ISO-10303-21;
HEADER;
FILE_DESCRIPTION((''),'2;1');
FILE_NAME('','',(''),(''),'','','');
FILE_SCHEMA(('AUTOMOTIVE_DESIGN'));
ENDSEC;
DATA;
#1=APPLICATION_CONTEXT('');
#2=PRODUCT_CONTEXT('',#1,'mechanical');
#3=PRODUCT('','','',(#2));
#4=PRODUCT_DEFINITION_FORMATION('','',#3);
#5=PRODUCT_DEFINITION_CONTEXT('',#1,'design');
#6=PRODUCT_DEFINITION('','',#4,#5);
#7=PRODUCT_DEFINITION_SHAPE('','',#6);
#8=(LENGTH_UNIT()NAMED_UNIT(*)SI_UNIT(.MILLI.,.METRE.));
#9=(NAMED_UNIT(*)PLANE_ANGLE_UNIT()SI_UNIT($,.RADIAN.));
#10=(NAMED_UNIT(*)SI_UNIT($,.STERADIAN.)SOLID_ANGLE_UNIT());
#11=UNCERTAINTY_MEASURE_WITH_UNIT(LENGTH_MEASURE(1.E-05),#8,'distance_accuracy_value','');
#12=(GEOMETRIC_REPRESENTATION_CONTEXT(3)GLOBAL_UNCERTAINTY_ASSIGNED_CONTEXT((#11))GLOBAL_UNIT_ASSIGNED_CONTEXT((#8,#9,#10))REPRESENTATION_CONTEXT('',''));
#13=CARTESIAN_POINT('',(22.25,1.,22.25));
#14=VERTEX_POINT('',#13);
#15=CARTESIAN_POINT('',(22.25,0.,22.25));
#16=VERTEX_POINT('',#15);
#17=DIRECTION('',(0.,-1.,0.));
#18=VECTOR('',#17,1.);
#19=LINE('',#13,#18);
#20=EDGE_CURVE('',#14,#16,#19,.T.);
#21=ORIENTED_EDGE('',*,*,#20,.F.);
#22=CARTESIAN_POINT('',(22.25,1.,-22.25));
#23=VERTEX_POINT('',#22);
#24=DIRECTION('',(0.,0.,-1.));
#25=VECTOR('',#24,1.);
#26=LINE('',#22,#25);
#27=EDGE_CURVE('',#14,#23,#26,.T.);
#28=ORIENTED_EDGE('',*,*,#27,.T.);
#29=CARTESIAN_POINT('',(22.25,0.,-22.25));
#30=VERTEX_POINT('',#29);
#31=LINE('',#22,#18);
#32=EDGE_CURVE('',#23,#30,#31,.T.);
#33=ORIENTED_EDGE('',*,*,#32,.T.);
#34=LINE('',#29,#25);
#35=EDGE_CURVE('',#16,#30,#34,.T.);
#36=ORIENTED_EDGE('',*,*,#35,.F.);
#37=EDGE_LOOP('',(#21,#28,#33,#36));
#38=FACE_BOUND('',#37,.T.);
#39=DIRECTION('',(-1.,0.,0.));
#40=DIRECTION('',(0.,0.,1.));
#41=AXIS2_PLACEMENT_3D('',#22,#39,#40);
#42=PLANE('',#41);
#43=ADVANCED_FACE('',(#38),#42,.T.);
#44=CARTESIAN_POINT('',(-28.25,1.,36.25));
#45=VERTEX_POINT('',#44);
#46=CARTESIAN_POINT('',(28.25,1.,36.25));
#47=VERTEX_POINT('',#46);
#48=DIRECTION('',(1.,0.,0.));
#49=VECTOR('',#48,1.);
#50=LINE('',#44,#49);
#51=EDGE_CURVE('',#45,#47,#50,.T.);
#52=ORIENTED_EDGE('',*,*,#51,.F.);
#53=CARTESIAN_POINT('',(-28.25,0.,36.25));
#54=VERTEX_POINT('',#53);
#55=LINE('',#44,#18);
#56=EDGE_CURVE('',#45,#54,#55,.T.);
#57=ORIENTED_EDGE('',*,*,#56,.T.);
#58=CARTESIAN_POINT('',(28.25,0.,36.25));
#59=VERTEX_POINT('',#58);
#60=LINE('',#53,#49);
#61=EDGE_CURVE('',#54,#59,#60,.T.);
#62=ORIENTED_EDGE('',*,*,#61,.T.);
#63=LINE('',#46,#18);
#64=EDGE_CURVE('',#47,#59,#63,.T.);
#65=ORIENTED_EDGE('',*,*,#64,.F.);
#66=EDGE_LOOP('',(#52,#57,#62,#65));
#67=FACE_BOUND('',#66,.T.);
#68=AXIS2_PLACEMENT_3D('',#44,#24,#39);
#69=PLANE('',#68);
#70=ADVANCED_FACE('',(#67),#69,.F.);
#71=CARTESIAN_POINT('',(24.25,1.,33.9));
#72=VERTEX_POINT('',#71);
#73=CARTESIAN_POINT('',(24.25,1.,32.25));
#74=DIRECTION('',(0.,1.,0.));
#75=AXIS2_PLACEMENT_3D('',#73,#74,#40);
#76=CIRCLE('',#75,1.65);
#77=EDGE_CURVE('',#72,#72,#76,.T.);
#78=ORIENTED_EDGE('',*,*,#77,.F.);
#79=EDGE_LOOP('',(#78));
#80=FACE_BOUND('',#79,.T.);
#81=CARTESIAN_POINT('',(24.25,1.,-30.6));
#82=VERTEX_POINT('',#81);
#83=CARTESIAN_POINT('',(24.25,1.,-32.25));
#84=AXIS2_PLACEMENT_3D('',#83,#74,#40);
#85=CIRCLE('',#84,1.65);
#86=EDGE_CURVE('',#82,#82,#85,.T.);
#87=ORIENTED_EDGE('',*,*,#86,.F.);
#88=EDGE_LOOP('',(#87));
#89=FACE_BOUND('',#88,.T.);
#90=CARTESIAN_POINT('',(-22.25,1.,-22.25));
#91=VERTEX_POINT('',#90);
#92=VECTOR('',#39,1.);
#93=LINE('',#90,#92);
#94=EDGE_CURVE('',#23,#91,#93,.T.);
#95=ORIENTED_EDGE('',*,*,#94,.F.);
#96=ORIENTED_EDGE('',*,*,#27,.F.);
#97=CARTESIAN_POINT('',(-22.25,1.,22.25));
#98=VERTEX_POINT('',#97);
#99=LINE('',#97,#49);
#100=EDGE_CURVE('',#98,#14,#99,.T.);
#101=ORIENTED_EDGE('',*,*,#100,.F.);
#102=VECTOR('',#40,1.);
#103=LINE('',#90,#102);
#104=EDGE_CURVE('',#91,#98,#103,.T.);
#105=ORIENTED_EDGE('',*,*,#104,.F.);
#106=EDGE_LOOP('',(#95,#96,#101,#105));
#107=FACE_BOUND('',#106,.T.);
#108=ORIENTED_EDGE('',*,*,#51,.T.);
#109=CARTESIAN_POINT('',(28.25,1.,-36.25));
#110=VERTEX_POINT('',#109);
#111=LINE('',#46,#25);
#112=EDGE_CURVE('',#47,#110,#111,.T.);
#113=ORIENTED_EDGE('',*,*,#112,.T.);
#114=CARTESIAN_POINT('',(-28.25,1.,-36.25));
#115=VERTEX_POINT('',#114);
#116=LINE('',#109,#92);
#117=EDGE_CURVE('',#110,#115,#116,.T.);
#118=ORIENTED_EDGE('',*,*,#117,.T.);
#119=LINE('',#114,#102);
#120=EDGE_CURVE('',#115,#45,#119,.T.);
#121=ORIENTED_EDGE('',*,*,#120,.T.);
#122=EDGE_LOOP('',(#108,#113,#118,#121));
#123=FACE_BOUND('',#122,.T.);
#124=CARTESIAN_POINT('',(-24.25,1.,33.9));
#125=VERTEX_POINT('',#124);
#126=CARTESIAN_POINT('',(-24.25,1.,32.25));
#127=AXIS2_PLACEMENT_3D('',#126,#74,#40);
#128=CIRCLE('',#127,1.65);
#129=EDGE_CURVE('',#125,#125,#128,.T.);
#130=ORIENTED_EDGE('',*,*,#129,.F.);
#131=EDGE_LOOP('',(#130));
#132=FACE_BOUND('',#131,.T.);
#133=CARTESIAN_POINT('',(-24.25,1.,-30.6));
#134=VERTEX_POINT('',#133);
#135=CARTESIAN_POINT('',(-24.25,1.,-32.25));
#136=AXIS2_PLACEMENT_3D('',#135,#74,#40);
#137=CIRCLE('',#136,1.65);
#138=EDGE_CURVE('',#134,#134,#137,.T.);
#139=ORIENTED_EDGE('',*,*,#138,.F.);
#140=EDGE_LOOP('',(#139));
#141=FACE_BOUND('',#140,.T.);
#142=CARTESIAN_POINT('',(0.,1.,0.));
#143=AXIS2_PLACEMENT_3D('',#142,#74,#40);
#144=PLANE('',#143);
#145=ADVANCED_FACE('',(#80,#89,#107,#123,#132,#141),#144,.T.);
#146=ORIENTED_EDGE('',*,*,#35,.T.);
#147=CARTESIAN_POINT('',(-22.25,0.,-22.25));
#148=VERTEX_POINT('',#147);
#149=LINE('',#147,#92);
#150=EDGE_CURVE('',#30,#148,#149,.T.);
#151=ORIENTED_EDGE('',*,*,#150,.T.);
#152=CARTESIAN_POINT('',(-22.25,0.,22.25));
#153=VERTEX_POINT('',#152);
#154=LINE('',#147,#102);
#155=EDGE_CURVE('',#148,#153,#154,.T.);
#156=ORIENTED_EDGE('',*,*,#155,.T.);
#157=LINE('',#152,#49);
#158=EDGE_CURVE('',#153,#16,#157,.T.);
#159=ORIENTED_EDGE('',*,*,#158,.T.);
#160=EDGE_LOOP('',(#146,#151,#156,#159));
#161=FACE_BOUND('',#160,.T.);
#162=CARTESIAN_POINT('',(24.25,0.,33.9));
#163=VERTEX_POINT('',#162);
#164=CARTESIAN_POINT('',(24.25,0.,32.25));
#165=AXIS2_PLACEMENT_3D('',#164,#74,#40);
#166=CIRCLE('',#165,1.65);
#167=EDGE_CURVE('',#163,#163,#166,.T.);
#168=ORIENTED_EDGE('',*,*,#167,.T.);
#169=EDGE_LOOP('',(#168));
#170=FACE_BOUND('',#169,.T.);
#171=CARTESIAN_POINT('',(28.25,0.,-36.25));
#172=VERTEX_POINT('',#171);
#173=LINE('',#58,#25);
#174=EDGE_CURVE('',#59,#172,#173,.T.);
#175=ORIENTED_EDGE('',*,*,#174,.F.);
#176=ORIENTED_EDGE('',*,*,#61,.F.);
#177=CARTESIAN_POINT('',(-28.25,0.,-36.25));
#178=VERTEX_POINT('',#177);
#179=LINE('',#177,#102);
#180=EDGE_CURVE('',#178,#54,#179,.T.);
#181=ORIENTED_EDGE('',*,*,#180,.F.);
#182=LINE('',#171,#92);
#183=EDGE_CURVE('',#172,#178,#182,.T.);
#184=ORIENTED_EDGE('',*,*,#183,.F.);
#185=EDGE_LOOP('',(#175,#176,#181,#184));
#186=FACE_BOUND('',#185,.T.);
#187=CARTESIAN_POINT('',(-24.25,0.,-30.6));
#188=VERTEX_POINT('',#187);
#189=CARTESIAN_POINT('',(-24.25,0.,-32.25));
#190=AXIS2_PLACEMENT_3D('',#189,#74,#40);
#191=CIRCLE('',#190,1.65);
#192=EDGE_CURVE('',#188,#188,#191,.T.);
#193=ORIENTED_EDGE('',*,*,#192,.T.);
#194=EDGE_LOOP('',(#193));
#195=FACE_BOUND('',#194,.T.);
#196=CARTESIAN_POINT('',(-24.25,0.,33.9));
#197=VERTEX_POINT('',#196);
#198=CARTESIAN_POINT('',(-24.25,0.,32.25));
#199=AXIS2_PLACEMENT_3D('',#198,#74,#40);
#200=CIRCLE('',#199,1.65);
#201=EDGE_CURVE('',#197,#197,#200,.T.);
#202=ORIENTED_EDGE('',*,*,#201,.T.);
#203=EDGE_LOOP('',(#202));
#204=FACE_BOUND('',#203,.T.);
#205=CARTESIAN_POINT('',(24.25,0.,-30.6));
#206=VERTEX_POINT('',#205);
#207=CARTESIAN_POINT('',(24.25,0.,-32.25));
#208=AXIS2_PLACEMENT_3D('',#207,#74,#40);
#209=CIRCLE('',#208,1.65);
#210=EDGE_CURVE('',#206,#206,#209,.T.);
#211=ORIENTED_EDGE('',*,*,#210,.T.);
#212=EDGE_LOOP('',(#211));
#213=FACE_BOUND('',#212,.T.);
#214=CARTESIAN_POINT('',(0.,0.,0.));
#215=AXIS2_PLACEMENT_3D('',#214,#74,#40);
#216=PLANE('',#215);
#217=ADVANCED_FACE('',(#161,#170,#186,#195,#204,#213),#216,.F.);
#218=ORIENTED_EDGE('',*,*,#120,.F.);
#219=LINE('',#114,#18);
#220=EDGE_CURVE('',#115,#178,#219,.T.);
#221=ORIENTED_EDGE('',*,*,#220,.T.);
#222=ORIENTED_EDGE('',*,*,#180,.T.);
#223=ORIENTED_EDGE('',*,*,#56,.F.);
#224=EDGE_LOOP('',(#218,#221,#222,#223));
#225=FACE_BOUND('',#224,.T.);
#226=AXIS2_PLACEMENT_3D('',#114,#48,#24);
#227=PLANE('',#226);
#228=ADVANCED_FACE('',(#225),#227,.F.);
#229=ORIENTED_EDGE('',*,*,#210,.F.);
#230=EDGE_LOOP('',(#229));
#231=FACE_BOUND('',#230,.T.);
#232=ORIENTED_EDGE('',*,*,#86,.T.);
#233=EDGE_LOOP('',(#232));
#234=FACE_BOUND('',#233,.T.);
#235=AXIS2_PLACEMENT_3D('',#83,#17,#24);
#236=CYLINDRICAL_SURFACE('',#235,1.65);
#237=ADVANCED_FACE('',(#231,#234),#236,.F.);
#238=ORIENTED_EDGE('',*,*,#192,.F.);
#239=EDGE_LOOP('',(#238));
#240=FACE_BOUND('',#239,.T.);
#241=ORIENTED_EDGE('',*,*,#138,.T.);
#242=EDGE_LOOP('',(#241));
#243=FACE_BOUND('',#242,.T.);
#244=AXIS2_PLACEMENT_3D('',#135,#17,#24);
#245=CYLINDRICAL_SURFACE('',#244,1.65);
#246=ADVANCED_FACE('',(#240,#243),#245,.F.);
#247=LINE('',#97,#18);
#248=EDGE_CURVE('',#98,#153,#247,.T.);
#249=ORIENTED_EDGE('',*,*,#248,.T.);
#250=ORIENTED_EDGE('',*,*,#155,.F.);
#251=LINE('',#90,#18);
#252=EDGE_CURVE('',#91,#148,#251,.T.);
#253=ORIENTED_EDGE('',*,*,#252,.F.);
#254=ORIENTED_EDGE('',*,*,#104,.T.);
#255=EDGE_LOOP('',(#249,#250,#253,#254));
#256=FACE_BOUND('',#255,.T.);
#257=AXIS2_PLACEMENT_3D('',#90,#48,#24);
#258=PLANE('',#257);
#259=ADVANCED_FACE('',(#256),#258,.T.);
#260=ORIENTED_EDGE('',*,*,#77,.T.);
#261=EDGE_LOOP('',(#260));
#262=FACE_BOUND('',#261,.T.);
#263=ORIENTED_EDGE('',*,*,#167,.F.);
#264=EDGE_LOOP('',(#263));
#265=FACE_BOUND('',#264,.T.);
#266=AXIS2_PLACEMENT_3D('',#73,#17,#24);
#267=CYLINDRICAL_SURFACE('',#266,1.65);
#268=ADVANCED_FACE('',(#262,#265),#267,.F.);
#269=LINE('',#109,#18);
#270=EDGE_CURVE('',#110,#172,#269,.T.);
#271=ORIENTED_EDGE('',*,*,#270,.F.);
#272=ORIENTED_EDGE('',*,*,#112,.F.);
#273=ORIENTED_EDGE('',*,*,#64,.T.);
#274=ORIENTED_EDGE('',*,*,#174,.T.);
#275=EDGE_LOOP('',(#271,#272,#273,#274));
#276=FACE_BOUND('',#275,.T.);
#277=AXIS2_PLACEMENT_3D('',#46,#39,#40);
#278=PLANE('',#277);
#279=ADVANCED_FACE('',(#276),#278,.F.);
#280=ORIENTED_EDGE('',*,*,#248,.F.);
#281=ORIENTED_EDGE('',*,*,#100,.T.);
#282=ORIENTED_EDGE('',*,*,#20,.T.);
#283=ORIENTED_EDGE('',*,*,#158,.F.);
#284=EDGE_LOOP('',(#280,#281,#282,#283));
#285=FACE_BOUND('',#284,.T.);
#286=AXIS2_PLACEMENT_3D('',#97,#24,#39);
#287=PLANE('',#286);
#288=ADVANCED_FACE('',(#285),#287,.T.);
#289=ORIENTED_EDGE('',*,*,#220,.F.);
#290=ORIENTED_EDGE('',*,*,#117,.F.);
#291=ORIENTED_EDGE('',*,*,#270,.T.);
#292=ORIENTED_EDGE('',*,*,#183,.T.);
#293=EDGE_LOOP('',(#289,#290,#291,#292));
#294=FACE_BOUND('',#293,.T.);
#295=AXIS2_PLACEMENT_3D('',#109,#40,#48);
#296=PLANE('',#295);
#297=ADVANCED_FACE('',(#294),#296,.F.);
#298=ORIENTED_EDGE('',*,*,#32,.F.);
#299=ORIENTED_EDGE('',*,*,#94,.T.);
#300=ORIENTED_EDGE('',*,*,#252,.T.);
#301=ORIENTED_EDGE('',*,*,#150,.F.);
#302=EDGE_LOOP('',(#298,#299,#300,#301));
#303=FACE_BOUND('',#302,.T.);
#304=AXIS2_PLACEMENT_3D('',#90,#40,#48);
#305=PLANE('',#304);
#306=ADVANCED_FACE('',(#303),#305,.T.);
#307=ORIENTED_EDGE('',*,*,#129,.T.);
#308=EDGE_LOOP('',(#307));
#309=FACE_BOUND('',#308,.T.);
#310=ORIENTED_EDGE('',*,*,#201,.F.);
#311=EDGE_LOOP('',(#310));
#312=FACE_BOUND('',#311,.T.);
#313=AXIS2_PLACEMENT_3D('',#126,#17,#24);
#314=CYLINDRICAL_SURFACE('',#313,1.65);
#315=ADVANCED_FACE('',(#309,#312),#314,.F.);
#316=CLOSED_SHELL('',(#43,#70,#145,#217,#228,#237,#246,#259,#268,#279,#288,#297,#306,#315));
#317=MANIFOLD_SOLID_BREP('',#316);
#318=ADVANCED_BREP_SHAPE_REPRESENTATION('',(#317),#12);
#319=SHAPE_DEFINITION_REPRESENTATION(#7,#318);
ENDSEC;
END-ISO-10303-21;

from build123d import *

# Parameters (mm, degrees)
SKETCH1_W           = 56.5
SKETCH1_H           = 72.5
SKETCH1_R           = 1.65
SKETCH1_W_2         = 44.5
SKETCH1_H_2         = 44.5
BOSS_EXTRUDE1_DEPTH = 1


with BuildPart() as part:
    # Sketch1 → Boss-Extrude1 (new body)
    with BuildSketch(Plane(origin=(0, 0, 0), x_dir=(1, 0, 0), z_dir=(0, 1, 0))):
        Rectangle(SKETCH1_W, SKETCH1_H)
        with Locations((-24.25, 32.25)):
            Circle(SKETCH1_R, mode=Mode.SUBTRACT)
        with Locations((24.25, 32.25)):
            Circle(SKETCH1_R, mode=Mode.SUBTRACT)
        with Locations((24.25, -32.25)):
            Circle(SKETCH1_R, mode=Mode.SUBTRACT)
        with Locations((-24.25, -32.25)):
            Circle(SKETCH1_R, mode=Mode.SUBTRACT)
        Rectangle(SKETCH1_W_2, SKETCH1_H_2, mode=Mode.SUBTRACT)
    extrude(amount=BOSS_EXTRUDE1_DEPTH)


solid = part.part
